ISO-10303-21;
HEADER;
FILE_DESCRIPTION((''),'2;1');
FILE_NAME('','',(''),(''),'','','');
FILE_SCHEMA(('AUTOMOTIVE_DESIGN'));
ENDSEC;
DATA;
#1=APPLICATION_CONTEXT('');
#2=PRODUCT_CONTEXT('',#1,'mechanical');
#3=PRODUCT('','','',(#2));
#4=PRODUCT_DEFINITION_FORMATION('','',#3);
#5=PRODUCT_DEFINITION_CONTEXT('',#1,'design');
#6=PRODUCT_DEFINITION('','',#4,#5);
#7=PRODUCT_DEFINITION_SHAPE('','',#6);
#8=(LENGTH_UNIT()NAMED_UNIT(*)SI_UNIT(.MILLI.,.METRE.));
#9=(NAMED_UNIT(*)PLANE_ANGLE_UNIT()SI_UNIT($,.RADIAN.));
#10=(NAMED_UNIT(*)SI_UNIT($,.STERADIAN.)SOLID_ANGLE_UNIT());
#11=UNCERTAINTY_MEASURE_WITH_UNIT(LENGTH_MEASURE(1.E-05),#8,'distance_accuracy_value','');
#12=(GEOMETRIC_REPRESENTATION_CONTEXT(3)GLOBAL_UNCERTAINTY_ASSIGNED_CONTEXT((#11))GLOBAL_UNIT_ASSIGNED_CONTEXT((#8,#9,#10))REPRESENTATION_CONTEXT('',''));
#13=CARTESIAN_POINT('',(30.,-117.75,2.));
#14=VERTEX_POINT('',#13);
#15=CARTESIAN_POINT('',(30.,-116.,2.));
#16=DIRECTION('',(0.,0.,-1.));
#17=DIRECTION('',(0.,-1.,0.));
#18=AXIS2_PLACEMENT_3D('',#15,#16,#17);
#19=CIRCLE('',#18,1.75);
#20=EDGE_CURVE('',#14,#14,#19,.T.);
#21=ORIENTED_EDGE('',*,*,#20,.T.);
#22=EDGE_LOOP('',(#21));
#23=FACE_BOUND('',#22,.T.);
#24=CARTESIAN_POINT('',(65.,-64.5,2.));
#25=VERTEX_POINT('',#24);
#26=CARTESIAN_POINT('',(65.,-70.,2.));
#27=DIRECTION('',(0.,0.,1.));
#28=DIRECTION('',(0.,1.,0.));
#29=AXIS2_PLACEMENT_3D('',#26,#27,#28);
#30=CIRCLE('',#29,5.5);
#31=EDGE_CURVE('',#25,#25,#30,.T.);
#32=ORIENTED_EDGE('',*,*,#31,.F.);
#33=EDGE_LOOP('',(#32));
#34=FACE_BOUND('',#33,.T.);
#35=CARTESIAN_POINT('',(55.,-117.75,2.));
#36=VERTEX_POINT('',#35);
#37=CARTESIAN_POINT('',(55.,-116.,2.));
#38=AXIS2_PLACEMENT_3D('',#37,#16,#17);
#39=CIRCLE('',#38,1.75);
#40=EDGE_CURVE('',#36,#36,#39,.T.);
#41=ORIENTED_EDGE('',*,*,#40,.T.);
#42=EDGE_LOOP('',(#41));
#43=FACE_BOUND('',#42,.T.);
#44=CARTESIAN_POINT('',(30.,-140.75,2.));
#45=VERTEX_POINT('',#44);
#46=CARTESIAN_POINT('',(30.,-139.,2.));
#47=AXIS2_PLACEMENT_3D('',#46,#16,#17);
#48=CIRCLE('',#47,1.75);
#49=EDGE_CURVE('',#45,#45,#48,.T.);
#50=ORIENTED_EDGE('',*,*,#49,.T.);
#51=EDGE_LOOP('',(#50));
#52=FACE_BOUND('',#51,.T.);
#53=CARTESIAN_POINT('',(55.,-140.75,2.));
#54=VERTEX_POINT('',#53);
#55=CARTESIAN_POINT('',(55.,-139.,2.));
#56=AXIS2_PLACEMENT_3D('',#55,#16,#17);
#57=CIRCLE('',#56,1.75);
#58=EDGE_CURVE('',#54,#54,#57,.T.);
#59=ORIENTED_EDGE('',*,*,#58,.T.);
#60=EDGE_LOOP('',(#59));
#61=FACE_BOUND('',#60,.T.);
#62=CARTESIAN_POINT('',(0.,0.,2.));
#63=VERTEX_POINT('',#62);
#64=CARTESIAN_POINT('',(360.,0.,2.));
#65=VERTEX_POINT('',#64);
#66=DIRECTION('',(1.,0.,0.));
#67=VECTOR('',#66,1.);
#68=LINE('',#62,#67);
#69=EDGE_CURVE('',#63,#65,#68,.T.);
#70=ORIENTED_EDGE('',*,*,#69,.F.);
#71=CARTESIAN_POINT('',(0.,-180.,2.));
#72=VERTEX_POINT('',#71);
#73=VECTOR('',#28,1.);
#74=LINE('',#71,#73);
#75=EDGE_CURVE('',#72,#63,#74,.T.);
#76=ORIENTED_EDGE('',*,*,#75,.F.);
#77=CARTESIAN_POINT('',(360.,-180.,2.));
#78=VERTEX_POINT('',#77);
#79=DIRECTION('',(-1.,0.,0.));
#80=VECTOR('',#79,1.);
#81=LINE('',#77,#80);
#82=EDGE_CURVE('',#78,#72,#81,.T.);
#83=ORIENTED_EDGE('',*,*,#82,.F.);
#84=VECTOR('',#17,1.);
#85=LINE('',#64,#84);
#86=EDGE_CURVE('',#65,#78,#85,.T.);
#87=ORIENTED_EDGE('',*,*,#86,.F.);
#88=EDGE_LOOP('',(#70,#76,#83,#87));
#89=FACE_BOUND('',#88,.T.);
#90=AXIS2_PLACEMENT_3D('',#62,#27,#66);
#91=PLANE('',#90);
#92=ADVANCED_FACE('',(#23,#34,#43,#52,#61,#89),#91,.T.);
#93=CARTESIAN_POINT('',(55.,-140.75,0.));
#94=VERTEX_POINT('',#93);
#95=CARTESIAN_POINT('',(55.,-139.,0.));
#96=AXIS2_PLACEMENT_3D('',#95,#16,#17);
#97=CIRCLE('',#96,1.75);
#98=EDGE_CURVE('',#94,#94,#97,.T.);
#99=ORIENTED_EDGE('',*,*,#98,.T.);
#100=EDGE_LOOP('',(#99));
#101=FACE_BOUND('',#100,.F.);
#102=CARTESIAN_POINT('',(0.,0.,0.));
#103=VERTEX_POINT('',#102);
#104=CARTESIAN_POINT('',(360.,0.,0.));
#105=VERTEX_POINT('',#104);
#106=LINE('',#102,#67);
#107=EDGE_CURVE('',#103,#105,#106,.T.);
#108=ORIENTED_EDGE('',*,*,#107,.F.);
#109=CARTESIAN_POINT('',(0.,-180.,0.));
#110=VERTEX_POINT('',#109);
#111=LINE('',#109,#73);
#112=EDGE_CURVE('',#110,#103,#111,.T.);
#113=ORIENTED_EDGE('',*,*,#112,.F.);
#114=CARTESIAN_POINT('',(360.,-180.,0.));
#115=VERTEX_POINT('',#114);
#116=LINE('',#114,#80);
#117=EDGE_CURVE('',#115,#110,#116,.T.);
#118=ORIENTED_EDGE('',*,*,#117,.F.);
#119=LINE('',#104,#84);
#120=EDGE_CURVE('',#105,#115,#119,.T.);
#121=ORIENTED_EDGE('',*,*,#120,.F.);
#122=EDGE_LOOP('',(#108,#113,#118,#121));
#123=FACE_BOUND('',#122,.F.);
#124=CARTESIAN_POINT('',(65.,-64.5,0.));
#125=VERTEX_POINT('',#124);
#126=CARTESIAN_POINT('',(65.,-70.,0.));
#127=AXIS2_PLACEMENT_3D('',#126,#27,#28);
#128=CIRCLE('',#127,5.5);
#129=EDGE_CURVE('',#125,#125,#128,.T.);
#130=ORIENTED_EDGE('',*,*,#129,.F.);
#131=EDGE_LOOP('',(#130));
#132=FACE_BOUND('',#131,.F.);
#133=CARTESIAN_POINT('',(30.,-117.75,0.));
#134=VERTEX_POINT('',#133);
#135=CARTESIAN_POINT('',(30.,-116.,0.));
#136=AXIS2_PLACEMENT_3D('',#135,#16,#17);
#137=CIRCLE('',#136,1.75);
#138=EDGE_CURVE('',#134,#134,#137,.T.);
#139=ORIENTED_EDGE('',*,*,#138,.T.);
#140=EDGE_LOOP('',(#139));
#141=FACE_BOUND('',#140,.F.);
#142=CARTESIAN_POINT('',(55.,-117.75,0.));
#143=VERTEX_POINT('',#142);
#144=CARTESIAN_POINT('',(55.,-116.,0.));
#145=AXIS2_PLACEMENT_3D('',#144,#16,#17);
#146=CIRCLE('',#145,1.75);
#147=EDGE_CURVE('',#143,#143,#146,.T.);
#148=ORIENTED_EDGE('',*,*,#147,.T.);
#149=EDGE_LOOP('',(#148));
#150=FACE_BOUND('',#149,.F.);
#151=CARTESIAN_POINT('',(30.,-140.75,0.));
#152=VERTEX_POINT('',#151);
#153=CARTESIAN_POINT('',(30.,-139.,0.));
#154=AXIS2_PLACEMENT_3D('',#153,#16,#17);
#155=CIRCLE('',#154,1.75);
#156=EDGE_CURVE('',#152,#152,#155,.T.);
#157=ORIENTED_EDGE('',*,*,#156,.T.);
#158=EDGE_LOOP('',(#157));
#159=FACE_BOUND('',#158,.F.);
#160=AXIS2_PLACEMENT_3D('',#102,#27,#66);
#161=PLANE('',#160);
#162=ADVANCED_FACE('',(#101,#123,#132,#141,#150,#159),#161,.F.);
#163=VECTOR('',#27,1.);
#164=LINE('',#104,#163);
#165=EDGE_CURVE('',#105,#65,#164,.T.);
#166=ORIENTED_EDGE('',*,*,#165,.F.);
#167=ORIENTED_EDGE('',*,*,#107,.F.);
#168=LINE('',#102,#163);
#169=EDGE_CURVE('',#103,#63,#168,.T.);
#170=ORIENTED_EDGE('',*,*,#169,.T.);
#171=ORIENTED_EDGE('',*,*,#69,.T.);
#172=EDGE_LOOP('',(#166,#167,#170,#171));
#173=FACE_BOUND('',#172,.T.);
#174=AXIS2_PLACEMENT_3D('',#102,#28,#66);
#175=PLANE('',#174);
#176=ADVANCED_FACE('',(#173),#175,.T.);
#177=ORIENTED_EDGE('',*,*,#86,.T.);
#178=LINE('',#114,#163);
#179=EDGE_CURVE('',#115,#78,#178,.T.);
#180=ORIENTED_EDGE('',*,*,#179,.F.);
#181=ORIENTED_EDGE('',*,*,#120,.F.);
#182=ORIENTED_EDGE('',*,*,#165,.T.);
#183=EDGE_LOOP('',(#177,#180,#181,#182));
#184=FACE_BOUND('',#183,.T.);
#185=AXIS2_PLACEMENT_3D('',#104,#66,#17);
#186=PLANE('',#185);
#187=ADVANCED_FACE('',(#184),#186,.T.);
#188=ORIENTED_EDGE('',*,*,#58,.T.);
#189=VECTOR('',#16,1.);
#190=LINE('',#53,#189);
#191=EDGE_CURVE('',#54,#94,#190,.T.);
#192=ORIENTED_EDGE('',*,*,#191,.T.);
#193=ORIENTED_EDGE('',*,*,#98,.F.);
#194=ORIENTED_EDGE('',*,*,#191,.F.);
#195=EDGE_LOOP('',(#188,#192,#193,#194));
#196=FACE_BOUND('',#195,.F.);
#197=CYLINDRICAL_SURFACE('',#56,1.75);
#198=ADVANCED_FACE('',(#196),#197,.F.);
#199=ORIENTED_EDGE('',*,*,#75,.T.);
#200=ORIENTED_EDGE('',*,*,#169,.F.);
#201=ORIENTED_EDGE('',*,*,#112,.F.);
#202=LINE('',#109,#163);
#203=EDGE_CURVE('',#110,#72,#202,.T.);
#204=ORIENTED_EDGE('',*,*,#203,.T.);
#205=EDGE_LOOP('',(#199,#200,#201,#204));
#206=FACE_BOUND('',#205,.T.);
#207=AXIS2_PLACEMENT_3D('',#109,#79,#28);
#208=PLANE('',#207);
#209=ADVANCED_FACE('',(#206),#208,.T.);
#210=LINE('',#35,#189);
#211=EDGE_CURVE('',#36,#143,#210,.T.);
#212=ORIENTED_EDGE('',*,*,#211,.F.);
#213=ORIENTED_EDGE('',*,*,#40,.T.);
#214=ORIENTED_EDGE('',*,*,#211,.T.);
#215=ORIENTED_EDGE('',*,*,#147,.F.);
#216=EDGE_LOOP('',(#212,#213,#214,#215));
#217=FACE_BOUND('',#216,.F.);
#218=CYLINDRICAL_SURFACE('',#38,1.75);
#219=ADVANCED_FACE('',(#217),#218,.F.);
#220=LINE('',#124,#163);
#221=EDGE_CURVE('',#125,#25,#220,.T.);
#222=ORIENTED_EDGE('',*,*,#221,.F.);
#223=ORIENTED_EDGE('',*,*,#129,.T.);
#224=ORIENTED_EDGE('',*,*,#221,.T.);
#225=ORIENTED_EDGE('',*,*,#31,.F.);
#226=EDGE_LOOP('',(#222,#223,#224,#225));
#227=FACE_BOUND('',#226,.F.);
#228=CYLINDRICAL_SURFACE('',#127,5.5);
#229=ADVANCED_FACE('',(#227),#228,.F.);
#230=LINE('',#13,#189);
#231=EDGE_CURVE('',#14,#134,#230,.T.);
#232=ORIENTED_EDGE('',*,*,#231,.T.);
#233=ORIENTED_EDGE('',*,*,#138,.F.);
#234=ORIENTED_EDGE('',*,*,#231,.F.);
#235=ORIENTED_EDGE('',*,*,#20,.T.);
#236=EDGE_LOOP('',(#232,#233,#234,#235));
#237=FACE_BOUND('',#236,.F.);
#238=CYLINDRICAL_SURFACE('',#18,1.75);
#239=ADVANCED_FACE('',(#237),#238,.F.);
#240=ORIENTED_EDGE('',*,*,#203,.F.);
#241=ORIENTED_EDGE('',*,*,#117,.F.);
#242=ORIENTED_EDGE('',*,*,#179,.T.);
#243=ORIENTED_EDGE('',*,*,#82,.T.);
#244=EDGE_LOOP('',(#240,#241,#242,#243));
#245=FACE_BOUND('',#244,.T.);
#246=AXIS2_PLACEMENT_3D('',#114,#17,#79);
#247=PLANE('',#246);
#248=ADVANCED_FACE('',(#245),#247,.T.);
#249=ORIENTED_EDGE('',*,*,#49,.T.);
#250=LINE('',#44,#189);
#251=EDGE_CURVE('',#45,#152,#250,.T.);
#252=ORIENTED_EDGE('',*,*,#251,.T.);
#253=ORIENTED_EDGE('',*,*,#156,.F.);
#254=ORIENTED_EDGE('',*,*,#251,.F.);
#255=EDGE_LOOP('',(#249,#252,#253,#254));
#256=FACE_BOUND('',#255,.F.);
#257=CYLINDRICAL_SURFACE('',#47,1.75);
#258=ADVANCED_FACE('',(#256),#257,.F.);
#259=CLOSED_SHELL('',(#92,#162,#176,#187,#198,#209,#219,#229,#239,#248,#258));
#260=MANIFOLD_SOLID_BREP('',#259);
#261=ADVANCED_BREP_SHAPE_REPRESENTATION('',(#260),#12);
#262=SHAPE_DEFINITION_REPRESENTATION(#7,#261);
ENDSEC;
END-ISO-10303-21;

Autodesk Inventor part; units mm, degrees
ref_plane "YZ Plane" through (0, 0, 0) normal (1, 0, 0) x (0, 1, 0)
ref_plane "XZ Plane" through (0, 0, 0) normal (0, 1, 0) x (-1, 0, 0)
ref_plane "XY Plane" through (0, 0, 0) normal (0, 0, 1) x (1, 0, 0)
sketch "スケッチ1" plane through (0, 0, 0) normal (0, 0, 1) x (1, 0, 0)
  line L0 (0, 0) -> (360, 0)
  line L1 (360, 0) -> (360, -180)
  line L2 (360, -180) -> (0, -180)
  line L3 (0, -180) -> (0, 0)
  dimension "d0" = 360
  dimension "d1" = 180
extrude "押し出し1" add sketch "スケッチ1" along normal blind 2
sketch "スケッチ3" plane through (0, 0, 2) normal (0, 0, 1) x (1, 0, 0)
  line L0 (360, 0) -> (0, 0) projected
  line L1 (0, 0) -> (0, -180) projected
  point P0 (55, -139)
  point P1 (30, -139)
  point P2 (55, -116)
  point P3 (30, -116)
  dimension "d14" = 139
  dimension "d15" = 55
  dimension "d18" = 25
  dimension "d21" = 23
hole "穴2" at (55, -139, 2) at (30, -139, 2) at (55, -116, 2) at (30, -116, 2) direction (0, 0, -1) diameter 3.5 end through all
sketch "スケッチ4" plane through (0, 0, 0) normal (0, 0, -1) x (-1, 0, 0)
  line L0 (-360, 0) -> (0, 0) projected
  line L1 (0, 0) -> (0, -180) projected
  point P0 (-65, -70)
  dimension "d31" = 70
  dimension "d32" = 65
hole "穴3" at (65, -70, 0) direction (0, 0, 1) diameter 11 end through all
properties part number "後ろカバー" material "ABS プラスチック"
